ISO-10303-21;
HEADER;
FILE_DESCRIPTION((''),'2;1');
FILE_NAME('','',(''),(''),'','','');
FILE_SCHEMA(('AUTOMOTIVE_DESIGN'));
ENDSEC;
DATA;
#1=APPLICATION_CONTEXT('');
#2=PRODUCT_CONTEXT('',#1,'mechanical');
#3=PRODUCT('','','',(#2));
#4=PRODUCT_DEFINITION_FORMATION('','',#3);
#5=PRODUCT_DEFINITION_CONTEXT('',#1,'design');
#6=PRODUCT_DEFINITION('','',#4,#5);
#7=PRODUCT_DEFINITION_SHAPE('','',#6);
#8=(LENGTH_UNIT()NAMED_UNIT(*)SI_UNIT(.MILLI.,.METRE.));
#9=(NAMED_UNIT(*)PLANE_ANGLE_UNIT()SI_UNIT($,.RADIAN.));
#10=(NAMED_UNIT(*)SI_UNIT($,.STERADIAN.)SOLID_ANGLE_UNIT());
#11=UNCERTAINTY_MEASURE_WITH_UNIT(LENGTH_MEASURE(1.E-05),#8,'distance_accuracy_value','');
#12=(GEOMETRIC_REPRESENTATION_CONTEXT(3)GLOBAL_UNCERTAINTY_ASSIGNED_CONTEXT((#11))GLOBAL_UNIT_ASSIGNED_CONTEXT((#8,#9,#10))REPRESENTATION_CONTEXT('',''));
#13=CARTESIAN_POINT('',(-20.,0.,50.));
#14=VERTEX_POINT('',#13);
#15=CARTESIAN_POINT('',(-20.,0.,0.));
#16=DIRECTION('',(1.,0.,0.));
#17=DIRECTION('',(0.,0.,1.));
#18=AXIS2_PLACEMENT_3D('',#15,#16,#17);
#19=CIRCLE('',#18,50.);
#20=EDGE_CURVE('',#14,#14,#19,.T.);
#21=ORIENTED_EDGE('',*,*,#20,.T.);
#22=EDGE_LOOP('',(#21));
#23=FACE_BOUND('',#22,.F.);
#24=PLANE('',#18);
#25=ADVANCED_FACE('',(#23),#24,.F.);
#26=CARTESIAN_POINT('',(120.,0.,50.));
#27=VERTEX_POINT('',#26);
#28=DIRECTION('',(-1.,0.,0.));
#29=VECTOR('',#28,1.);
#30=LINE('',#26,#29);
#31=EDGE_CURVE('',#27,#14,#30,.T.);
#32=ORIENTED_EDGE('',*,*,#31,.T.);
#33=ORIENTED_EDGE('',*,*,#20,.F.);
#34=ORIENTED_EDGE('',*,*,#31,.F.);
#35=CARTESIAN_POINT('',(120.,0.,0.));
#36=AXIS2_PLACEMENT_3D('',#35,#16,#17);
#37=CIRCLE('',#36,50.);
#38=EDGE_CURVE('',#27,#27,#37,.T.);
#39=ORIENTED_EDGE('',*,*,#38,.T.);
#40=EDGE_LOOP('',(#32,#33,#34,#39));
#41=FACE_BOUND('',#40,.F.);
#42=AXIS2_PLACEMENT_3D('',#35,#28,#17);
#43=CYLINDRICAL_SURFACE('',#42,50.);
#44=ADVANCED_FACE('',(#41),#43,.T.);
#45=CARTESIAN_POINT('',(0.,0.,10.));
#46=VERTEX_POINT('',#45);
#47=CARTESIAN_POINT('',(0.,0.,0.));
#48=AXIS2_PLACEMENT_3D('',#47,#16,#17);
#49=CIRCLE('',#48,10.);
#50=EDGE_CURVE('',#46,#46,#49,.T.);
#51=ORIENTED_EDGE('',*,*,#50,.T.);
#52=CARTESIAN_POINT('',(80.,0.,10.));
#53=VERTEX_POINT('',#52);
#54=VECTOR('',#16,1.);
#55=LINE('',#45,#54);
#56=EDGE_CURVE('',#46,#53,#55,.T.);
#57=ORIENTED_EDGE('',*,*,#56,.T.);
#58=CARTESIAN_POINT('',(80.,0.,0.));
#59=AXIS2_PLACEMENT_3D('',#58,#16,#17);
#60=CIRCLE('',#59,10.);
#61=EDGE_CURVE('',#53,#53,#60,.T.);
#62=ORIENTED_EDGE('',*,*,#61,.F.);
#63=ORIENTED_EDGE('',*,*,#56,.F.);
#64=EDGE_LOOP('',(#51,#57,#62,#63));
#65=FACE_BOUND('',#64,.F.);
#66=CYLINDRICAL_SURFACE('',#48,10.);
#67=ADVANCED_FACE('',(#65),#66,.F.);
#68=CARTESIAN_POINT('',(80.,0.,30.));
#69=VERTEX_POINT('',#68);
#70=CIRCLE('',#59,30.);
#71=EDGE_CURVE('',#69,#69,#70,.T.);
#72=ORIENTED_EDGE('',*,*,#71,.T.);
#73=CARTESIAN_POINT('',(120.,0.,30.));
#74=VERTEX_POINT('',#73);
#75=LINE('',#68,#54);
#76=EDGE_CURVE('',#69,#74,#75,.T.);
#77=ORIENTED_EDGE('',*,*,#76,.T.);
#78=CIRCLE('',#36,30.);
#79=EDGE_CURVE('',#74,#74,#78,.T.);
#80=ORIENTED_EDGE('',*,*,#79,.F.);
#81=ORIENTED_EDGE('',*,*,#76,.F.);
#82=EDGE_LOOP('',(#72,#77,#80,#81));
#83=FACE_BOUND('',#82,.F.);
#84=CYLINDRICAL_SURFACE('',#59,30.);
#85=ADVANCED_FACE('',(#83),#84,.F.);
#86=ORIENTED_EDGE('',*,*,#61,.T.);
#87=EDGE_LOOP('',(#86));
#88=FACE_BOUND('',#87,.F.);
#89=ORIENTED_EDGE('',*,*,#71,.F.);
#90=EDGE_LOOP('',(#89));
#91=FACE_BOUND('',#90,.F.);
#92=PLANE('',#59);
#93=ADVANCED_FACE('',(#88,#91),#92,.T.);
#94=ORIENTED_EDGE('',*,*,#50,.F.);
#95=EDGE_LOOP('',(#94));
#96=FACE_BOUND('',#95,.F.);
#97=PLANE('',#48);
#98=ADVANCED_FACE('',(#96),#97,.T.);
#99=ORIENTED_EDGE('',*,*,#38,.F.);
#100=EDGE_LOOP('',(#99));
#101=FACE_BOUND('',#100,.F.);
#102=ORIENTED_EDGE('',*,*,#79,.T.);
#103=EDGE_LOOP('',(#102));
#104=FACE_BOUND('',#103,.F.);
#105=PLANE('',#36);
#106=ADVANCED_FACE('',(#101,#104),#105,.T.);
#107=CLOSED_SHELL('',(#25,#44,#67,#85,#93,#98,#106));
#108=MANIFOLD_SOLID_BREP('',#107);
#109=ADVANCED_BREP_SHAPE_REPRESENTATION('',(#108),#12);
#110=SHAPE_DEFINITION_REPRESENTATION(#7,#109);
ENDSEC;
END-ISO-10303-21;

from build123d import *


with BuildPart() as part:
    # Sketch1 → Revolve4 (revolve)
    with BuildSketch(Plane.XY, mode=Mode.PRIVATE) as revolve4_sk:
        Polygon((-20, 50), (-20, 0), (0, 0), (0, 10), (80, 10), (80, 30), (120, 30), (120, 50), align=None)
    revolve(revolve4_sk.sketch.rotate(Axis((-155.22847078, 0, 0), (1, 0, 0)), 90), axis=Axis((-155.22847078, 0, 0), (1, 0, 0)))


solid = part.part
